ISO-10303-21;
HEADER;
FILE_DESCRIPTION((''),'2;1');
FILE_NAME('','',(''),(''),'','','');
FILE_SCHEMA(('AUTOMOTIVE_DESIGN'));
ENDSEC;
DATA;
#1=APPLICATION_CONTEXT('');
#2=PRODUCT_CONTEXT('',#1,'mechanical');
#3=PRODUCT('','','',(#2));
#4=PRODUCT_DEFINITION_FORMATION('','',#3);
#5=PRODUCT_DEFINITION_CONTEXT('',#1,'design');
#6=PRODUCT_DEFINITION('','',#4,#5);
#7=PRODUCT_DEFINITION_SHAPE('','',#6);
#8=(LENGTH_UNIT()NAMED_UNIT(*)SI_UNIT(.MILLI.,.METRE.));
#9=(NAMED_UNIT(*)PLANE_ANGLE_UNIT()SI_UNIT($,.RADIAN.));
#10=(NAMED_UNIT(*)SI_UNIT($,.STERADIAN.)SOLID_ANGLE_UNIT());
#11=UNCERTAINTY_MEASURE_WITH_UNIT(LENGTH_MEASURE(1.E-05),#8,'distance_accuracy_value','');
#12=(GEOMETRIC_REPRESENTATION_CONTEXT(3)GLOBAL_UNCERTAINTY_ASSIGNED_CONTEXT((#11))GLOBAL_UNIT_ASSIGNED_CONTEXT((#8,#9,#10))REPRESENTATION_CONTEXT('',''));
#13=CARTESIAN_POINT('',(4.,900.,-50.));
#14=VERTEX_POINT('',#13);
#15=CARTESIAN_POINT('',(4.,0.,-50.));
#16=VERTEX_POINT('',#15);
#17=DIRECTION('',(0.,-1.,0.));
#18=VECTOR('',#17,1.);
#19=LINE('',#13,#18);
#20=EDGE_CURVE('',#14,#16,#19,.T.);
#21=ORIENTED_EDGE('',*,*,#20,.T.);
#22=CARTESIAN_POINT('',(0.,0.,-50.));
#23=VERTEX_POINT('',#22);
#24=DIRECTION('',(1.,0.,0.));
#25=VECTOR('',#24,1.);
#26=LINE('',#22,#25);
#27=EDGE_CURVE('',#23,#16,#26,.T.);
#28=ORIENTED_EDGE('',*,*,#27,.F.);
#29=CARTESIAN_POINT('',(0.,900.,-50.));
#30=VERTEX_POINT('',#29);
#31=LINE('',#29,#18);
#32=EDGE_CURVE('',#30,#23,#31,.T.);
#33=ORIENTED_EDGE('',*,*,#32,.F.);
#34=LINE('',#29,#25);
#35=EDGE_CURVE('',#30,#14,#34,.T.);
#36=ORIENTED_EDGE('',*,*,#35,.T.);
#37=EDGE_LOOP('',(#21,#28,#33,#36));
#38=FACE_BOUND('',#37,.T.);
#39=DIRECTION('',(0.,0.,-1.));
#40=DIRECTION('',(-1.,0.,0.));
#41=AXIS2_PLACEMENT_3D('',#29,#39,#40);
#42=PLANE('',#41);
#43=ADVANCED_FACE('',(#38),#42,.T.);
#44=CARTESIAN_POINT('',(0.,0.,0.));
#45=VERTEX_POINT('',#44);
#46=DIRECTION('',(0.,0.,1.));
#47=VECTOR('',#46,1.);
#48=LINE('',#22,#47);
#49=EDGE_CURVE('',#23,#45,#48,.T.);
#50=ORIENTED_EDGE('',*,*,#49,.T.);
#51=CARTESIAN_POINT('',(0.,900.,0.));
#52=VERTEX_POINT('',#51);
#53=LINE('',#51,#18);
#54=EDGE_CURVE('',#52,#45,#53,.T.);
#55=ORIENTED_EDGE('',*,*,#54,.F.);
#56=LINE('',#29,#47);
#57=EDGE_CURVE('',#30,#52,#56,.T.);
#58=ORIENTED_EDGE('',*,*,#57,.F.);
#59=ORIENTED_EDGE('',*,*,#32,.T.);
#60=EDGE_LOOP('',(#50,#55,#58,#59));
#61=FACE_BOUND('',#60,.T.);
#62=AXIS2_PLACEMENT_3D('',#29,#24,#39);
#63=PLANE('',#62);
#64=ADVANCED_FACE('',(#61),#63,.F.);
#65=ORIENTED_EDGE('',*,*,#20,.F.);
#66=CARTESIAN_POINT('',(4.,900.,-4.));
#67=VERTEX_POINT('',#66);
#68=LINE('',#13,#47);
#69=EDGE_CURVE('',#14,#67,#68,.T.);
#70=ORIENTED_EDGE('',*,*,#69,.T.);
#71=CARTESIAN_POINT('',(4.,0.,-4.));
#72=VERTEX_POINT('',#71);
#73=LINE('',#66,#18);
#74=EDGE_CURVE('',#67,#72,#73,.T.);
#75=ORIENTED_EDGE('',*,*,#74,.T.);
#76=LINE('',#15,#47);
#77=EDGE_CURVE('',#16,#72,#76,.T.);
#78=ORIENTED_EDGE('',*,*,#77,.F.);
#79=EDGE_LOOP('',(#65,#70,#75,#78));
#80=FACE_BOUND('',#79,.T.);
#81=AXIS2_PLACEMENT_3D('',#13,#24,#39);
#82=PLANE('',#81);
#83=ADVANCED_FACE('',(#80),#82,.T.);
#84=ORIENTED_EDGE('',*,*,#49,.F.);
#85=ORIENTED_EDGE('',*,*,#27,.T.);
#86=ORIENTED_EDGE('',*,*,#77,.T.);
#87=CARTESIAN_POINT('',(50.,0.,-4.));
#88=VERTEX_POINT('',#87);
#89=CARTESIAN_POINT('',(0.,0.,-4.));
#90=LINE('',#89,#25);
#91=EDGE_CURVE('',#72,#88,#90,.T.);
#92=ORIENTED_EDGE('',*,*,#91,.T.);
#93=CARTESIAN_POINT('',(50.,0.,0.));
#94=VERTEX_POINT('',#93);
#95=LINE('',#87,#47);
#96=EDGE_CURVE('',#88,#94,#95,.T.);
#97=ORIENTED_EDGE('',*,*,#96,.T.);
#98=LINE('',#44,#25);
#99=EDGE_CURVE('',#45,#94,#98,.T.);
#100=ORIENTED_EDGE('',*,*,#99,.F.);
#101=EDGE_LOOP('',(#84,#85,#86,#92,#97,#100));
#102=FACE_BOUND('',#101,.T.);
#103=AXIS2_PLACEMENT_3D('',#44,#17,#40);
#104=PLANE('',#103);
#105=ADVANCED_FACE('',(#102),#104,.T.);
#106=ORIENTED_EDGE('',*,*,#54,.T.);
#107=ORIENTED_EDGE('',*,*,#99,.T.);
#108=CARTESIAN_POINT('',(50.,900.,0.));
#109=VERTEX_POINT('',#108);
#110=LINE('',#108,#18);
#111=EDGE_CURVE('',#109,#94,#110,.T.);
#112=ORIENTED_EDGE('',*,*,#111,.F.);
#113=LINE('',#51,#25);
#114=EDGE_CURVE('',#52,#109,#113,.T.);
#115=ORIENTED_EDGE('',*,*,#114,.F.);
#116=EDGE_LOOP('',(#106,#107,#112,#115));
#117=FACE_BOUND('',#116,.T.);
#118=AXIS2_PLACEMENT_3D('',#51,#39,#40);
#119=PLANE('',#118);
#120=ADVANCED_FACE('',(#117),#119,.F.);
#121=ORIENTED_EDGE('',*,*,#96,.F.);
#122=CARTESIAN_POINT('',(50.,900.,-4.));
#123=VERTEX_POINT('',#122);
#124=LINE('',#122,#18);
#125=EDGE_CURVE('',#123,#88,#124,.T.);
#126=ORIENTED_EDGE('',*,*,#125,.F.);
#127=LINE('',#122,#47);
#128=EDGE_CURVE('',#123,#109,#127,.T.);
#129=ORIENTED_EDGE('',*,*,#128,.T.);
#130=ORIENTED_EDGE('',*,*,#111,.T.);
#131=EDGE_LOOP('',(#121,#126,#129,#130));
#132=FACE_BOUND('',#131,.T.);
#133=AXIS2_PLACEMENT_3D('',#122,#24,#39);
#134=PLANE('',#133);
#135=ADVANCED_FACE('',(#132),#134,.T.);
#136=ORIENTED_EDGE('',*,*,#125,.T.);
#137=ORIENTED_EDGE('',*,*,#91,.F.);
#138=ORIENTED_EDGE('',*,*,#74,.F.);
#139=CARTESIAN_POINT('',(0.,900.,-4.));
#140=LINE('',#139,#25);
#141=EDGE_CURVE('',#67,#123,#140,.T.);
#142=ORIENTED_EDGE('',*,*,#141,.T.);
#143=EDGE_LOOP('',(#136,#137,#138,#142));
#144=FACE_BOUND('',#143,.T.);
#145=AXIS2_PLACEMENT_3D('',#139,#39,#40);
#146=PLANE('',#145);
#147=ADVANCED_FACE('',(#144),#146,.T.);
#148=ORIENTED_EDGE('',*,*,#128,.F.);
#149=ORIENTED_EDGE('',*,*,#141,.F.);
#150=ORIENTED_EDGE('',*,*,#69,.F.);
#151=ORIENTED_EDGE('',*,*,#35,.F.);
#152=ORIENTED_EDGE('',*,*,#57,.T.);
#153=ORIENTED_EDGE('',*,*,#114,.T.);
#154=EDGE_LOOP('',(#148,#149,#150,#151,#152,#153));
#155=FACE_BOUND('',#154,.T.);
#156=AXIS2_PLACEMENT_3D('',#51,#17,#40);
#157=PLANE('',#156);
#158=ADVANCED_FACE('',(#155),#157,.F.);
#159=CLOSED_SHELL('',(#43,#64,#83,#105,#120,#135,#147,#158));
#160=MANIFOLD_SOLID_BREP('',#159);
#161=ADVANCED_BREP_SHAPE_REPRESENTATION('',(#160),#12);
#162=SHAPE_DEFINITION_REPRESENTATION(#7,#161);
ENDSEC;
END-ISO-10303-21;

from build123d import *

# Parameters (mm, degrees)
EXTRUDE_1_DEPTH = 900


with BuildPart() as part:
    # Эскиз1 → Вытянуть-Тонкостенный1 (new body)
    with BuildSketch(Plane(origin=(0, 0, 0), x_dir=(1, 0, 0), z_dir=(0, 1, 0))):
        Polygon((0, 50), (0, 0), (50, 0), (50, 4), (4, 4), (4, 50), align=None)
    extrude(amount=EXTRUDE_1_DEPTH)


solid = part.part
